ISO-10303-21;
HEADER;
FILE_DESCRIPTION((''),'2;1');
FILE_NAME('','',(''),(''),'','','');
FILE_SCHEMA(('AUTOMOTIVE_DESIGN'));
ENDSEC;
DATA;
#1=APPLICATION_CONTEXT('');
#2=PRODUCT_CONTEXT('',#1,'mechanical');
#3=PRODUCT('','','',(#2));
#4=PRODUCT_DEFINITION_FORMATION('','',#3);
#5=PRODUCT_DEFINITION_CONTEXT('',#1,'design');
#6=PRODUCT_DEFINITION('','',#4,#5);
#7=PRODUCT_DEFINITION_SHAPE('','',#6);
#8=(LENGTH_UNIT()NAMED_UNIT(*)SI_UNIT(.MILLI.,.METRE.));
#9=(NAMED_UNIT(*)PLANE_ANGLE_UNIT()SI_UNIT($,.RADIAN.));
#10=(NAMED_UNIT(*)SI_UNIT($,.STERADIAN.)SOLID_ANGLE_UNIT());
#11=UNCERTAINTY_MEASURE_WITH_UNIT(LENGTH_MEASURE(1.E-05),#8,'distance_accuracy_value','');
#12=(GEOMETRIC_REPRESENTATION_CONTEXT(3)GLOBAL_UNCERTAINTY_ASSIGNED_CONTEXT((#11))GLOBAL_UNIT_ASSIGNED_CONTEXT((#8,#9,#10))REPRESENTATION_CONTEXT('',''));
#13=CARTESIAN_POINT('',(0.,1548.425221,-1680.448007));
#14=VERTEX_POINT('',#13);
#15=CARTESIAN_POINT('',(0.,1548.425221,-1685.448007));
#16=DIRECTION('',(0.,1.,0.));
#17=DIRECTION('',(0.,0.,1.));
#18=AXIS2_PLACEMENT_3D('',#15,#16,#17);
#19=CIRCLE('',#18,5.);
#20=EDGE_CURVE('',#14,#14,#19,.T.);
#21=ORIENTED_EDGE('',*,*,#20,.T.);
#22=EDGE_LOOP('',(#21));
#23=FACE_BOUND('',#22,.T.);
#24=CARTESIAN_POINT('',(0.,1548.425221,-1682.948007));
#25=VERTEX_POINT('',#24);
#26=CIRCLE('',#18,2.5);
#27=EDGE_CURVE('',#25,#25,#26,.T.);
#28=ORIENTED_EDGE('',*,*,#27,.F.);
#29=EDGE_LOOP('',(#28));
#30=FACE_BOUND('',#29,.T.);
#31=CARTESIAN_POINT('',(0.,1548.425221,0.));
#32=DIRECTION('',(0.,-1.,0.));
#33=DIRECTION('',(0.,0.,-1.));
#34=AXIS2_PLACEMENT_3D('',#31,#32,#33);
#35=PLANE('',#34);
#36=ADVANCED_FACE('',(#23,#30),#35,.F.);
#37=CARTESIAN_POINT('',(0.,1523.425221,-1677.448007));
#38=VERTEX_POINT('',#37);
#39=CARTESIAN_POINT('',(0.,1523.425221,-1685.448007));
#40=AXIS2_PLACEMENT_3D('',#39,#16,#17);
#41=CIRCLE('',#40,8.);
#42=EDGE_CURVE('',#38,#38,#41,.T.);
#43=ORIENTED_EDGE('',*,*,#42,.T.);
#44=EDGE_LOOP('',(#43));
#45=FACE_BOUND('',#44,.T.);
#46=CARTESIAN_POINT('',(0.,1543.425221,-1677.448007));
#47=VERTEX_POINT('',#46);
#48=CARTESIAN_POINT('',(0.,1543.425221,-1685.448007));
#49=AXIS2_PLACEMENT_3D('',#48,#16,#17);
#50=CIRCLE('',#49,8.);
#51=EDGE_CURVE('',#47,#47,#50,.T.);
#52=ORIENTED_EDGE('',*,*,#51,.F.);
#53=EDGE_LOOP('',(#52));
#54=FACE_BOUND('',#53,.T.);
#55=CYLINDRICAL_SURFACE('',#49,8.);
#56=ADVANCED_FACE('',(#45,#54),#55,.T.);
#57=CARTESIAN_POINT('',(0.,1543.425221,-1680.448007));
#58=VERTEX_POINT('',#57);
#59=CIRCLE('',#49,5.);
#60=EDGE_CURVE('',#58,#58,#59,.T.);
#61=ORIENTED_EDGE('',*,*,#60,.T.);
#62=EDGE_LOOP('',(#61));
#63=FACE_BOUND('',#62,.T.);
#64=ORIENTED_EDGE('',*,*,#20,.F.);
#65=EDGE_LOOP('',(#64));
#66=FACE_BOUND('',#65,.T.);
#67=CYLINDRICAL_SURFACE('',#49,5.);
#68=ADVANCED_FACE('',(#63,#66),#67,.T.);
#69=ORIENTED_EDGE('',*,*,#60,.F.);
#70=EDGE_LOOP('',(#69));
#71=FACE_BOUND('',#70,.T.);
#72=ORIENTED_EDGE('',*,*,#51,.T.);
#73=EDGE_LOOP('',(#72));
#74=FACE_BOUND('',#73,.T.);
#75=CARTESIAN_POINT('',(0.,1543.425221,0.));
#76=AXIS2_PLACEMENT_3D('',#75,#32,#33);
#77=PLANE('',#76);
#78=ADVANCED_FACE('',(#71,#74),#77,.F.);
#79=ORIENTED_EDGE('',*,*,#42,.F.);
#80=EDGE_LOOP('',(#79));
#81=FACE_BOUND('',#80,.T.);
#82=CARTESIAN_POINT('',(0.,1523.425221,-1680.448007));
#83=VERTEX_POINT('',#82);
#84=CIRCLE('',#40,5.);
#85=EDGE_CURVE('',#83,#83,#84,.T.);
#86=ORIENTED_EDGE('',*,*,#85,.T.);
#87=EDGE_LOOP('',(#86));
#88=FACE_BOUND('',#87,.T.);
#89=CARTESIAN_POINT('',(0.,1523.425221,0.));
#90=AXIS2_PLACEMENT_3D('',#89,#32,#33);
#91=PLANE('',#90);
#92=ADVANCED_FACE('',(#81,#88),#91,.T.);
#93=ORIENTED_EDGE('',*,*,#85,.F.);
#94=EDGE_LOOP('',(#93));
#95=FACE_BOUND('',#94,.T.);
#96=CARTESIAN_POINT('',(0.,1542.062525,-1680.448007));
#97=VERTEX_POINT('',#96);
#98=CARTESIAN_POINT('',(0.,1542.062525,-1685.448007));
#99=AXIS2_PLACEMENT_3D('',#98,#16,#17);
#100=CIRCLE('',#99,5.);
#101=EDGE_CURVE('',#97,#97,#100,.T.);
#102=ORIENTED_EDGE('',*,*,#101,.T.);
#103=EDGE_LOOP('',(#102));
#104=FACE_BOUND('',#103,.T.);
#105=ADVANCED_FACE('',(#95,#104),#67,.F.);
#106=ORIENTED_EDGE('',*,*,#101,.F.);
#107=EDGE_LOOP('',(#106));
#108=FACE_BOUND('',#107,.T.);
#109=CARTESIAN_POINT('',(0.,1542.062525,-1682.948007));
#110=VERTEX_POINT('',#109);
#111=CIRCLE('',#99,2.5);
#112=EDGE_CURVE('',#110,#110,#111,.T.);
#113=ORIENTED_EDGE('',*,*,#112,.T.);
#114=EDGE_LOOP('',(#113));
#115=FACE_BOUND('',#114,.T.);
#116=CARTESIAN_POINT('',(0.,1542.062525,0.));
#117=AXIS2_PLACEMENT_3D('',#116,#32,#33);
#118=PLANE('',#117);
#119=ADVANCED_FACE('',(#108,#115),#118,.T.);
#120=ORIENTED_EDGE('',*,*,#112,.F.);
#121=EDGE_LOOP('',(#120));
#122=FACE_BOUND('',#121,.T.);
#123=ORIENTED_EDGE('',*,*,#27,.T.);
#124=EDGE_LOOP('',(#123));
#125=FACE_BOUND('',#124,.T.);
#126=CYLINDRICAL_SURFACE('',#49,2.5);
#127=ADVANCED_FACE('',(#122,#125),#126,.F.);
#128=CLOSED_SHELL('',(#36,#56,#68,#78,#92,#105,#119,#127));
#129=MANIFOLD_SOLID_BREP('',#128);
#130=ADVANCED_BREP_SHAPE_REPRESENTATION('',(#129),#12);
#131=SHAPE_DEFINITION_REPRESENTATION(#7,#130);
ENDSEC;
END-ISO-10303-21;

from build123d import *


with BuildPart() as part:
    # Sketch1 → Revolve1 (revolve)
    with BuildSketch(Plane(origin=(0, 0, 0), x_dir=(0, 0, -1), z_dir=(1, 0, 0)), mode=Mode.PRIVATE) as revolve1_sk:
        Polygon((1693.448007135, 1523.425221362), (1690.448007135, 1523.425221362), (1690.448007135, 1542.062525116), (1687.948007135, 1542.062525116), (1687.948007135, 1548.425221362), (1690.448007135, 1548.425221362), (1690.448007135, 1543.425221362), (1693.448007135, 1543.425221362), align=None)
    revolve(revolve1_sk.sketch.rotate(Axis((0, 1543.425221362, -1685.448007135), (0, -1, 0)), 180), axis=Axis((0, 1543.425221362, -1685.448007135), (0, -1, 0)))


solid = part.part
